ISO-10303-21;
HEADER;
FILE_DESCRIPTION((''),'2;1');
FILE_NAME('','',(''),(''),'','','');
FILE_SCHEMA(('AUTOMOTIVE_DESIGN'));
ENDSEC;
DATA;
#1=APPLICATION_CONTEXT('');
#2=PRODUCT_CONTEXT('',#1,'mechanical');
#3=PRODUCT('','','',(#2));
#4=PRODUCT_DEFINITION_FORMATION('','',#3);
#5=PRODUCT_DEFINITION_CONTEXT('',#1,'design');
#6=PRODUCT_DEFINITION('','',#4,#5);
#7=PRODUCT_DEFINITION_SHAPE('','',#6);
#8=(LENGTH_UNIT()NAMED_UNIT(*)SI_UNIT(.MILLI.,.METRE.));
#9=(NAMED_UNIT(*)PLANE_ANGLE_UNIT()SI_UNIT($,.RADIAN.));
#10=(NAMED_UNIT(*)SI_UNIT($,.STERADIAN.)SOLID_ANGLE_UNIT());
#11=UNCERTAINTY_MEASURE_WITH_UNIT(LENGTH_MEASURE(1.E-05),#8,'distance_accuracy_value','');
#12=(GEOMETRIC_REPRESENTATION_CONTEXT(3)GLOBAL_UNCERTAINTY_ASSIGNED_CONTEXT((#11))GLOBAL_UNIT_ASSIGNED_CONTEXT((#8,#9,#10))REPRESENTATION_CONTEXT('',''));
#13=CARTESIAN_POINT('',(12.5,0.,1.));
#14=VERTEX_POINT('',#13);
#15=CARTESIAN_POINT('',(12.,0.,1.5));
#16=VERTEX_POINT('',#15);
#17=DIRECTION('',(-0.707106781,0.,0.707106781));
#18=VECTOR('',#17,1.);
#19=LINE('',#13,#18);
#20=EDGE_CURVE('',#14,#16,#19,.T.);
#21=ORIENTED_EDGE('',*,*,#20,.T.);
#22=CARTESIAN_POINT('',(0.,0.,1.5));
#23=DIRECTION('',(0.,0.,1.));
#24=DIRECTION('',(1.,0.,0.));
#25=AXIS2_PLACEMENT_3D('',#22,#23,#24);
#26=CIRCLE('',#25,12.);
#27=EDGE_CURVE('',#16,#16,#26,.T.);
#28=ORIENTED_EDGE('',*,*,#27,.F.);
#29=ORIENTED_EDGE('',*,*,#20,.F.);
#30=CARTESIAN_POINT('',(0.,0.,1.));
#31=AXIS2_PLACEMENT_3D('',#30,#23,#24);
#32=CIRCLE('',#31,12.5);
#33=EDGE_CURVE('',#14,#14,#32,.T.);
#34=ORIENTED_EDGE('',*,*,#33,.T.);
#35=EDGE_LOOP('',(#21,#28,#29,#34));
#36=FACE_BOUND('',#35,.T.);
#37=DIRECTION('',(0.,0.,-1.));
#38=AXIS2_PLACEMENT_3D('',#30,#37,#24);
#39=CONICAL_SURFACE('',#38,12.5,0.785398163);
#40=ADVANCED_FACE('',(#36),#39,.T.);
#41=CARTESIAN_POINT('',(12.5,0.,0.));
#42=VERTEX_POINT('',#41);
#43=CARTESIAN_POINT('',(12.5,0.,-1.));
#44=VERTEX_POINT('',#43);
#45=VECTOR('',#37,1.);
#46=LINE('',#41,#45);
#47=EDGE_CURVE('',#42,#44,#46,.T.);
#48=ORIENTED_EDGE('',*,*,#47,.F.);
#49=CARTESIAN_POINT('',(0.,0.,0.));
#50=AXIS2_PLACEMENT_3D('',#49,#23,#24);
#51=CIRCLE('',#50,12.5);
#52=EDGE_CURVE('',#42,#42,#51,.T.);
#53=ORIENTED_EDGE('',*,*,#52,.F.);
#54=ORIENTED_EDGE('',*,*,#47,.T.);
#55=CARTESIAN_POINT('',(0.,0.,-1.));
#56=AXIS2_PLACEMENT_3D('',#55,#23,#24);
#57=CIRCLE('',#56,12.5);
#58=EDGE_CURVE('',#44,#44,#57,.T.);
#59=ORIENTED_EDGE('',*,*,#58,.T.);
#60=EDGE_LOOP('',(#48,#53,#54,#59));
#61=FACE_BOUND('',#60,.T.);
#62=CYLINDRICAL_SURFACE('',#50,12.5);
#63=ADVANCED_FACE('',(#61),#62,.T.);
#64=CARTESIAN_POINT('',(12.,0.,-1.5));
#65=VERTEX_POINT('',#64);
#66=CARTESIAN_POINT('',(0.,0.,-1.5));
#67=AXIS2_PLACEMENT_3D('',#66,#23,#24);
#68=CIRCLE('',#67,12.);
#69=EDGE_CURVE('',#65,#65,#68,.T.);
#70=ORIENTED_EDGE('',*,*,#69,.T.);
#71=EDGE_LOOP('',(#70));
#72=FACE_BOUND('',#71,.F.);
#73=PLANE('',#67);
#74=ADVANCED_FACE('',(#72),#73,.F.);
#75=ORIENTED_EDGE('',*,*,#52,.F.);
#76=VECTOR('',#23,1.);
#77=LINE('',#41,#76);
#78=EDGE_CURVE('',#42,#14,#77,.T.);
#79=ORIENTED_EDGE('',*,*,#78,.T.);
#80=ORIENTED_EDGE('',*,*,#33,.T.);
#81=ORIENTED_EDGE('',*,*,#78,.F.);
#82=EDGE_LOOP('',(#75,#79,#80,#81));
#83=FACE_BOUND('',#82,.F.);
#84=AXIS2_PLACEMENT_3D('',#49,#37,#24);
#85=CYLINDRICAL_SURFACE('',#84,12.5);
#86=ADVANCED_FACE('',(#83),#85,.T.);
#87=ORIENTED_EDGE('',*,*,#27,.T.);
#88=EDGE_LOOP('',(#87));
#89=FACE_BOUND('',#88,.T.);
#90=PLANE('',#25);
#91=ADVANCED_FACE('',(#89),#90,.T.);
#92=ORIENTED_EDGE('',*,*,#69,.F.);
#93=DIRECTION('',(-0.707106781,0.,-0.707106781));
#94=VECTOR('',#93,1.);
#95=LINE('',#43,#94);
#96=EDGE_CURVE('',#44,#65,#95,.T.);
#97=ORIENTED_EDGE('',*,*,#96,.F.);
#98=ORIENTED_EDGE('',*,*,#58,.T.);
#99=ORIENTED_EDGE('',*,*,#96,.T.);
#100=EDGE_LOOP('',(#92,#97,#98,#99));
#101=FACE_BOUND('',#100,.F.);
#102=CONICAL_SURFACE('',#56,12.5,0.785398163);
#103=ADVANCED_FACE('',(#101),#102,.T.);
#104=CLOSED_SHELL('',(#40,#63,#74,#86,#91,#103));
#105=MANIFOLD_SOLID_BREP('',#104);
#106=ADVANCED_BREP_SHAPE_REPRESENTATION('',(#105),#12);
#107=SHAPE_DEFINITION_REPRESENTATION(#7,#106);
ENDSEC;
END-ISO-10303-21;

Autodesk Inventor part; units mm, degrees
ref_plane "YZ Plane" through (0, 0, 0) normal (1, 0, 0) x (0, 1, 0)
ref_plane "XZ Plane" through (0, 0, 0) normal (0, 1, 0) x (-1, 0, 0)
ref_plane "XY Plane" through (0, 0, 0) normal (0, 0, 1) x (1, 0, 0)
sketch "Sketch1" plane through (0, 0, 0) normal (0, 0, 1) x (1, 0, 0)
  circle A0 centre (0, 0) radius 12.5
  dimension "d0" = 25
extrude "Extrusion1" add sketch "Sketch1" along normal mid plane 3
chamfer "Chamfer1" distance 0.5 angle 45 2 edges at (-12.5, 0, 1.5) (-12.5, 0, -1.5)
properties part number "Quarter Wave Plate"
